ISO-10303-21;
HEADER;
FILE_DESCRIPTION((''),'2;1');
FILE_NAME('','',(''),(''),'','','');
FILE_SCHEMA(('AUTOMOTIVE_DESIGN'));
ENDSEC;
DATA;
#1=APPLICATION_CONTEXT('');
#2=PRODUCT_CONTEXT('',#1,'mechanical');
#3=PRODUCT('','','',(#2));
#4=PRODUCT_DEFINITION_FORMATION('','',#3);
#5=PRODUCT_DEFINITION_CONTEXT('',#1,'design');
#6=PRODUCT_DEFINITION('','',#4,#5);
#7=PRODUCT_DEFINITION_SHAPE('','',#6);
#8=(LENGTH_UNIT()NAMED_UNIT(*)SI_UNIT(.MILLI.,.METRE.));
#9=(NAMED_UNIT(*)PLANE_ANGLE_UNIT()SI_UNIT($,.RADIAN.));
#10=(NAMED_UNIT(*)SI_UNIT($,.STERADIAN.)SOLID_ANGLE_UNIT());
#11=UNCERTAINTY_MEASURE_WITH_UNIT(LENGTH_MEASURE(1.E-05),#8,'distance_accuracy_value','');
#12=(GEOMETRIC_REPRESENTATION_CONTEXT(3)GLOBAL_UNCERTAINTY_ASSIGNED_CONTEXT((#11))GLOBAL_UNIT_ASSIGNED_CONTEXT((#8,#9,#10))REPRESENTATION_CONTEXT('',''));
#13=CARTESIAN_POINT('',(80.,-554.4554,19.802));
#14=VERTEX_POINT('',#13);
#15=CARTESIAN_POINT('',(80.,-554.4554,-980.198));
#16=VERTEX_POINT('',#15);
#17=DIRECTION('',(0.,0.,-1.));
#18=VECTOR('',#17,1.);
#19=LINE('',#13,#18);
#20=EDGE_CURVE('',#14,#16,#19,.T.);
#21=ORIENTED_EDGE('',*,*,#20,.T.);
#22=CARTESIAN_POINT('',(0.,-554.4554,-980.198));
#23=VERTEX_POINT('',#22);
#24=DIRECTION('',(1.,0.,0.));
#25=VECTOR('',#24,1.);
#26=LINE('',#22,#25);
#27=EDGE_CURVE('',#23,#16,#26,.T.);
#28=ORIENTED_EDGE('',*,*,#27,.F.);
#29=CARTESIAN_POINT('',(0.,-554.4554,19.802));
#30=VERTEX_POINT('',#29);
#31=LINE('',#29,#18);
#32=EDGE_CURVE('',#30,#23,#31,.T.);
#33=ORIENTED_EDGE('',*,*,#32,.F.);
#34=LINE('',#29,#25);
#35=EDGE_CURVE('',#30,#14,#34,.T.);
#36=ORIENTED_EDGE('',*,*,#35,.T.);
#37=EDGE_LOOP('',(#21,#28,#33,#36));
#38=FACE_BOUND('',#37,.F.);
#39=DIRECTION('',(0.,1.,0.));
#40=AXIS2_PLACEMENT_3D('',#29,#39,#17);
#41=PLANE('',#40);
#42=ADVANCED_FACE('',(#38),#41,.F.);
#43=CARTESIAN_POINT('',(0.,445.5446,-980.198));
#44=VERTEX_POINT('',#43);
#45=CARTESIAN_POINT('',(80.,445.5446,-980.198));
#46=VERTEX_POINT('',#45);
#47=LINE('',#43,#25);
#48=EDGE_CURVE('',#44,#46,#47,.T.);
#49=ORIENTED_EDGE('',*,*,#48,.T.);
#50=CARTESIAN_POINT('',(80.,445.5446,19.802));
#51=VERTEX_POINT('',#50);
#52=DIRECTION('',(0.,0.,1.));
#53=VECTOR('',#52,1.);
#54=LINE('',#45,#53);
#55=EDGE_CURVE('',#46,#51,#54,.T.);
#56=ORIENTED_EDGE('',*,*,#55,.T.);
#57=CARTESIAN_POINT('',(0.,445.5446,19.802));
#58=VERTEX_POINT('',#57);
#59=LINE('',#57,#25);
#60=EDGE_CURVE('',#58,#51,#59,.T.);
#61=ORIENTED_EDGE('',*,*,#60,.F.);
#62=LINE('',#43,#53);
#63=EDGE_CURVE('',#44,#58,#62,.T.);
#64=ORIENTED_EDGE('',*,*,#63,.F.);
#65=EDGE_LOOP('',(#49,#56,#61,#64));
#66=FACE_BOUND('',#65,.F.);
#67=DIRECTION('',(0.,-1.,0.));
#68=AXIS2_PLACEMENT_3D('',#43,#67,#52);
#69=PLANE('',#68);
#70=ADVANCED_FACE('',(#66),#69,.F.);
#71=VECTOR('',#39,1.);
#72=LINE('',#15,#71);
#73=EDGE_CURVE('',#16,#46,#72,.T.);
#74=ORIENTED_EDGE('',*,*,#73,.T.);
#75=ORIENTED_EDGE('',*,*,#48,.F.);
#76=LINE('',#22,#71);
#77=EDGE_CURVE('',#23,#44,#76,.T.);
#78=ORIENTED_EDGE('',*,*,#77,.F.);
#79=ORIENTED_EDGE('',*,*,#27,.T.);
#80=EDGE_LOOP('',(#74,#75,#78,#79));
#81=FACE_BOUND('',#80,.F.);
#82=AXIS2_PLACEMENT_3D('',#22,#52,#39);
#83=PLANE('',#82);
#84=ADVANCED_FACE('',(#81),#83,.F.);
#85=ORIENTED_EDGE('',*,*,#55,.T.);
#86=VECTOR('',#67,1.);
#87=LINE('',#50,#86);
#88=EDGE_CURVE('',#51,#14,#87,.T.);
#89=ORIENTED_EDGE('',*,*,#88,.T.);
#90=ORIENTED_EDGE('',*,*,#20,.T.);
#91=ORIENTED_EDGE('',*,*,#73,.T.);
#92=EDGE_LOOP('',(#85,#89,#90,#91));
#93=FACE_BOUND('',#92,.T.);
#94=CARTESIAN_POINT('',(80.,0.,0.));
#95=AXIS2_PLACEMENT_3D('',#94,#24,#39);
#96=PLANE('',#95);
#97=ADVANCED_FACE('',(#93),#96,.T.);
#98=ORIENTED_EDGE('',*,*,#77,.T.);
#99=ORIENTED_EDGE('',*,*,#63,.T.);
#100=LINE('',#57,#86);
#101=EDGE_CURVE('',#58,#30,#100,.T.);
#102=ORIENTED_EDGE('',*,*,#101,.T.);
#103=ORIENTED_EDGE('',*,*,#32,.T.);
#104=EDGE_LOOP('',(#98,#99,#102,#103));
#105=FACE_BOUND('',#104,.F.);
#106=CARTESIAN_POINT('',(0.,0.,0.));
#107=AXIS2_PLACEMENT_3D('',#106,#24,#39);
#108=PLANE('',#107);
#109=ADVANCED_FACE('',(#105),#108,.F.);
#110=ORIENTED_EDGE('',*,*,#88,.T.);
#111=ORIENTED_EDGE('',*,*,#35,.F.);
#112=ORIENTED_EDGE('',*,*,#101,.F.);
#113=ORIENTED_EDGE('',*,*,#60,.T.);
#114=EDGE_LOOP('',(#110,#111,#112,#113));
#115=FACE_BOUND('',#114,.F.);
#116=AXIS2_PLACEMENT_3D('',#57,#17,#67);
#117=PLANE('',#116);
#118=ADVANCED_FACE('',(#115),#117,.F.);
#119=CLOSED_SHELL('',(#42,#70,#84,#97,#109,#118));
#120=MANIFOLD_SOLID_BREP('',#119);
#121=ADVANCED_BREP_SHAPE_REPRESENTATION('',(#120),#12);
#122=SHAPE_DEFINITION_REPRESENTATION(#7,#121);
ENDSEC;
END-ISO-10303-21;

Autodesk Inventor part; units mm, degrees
ref_plane "YZ Plane" through (0, 0, 0) normal (1, 0, 0) x (0, 1, 0)
ref_plane "XZ Plane" through (0, 0, 0) normal (0, 1, 0) x (-1, 0, 0)
ref_plane "XY Plane" through (0, 0, 0) normal (0, 0, 1) x (1, 0, 0)
sketch "Sketch1" plane through (0, 0, 0) normal (1, 0, 0) x (0, 1, 0)
  line L0 (445.5446, 19.802) -> (-554.4554, 19.802)
  line L1 (-554.4554, 19.802) -> (-554.4554, -980.198)
  line L2 (-554.4554, -980.198) -> (445.5446, -980.198)
  line L3 (445.5446, -980.198) -> (445.5446, 19.802)
  point P0 (0, 0)
  dimension "d0" = 1000
  dimension "d1" = 1000
extrude "Extrusion1" add sketch "Sketch1" along normal blind 80
properties part number "XCarve"
